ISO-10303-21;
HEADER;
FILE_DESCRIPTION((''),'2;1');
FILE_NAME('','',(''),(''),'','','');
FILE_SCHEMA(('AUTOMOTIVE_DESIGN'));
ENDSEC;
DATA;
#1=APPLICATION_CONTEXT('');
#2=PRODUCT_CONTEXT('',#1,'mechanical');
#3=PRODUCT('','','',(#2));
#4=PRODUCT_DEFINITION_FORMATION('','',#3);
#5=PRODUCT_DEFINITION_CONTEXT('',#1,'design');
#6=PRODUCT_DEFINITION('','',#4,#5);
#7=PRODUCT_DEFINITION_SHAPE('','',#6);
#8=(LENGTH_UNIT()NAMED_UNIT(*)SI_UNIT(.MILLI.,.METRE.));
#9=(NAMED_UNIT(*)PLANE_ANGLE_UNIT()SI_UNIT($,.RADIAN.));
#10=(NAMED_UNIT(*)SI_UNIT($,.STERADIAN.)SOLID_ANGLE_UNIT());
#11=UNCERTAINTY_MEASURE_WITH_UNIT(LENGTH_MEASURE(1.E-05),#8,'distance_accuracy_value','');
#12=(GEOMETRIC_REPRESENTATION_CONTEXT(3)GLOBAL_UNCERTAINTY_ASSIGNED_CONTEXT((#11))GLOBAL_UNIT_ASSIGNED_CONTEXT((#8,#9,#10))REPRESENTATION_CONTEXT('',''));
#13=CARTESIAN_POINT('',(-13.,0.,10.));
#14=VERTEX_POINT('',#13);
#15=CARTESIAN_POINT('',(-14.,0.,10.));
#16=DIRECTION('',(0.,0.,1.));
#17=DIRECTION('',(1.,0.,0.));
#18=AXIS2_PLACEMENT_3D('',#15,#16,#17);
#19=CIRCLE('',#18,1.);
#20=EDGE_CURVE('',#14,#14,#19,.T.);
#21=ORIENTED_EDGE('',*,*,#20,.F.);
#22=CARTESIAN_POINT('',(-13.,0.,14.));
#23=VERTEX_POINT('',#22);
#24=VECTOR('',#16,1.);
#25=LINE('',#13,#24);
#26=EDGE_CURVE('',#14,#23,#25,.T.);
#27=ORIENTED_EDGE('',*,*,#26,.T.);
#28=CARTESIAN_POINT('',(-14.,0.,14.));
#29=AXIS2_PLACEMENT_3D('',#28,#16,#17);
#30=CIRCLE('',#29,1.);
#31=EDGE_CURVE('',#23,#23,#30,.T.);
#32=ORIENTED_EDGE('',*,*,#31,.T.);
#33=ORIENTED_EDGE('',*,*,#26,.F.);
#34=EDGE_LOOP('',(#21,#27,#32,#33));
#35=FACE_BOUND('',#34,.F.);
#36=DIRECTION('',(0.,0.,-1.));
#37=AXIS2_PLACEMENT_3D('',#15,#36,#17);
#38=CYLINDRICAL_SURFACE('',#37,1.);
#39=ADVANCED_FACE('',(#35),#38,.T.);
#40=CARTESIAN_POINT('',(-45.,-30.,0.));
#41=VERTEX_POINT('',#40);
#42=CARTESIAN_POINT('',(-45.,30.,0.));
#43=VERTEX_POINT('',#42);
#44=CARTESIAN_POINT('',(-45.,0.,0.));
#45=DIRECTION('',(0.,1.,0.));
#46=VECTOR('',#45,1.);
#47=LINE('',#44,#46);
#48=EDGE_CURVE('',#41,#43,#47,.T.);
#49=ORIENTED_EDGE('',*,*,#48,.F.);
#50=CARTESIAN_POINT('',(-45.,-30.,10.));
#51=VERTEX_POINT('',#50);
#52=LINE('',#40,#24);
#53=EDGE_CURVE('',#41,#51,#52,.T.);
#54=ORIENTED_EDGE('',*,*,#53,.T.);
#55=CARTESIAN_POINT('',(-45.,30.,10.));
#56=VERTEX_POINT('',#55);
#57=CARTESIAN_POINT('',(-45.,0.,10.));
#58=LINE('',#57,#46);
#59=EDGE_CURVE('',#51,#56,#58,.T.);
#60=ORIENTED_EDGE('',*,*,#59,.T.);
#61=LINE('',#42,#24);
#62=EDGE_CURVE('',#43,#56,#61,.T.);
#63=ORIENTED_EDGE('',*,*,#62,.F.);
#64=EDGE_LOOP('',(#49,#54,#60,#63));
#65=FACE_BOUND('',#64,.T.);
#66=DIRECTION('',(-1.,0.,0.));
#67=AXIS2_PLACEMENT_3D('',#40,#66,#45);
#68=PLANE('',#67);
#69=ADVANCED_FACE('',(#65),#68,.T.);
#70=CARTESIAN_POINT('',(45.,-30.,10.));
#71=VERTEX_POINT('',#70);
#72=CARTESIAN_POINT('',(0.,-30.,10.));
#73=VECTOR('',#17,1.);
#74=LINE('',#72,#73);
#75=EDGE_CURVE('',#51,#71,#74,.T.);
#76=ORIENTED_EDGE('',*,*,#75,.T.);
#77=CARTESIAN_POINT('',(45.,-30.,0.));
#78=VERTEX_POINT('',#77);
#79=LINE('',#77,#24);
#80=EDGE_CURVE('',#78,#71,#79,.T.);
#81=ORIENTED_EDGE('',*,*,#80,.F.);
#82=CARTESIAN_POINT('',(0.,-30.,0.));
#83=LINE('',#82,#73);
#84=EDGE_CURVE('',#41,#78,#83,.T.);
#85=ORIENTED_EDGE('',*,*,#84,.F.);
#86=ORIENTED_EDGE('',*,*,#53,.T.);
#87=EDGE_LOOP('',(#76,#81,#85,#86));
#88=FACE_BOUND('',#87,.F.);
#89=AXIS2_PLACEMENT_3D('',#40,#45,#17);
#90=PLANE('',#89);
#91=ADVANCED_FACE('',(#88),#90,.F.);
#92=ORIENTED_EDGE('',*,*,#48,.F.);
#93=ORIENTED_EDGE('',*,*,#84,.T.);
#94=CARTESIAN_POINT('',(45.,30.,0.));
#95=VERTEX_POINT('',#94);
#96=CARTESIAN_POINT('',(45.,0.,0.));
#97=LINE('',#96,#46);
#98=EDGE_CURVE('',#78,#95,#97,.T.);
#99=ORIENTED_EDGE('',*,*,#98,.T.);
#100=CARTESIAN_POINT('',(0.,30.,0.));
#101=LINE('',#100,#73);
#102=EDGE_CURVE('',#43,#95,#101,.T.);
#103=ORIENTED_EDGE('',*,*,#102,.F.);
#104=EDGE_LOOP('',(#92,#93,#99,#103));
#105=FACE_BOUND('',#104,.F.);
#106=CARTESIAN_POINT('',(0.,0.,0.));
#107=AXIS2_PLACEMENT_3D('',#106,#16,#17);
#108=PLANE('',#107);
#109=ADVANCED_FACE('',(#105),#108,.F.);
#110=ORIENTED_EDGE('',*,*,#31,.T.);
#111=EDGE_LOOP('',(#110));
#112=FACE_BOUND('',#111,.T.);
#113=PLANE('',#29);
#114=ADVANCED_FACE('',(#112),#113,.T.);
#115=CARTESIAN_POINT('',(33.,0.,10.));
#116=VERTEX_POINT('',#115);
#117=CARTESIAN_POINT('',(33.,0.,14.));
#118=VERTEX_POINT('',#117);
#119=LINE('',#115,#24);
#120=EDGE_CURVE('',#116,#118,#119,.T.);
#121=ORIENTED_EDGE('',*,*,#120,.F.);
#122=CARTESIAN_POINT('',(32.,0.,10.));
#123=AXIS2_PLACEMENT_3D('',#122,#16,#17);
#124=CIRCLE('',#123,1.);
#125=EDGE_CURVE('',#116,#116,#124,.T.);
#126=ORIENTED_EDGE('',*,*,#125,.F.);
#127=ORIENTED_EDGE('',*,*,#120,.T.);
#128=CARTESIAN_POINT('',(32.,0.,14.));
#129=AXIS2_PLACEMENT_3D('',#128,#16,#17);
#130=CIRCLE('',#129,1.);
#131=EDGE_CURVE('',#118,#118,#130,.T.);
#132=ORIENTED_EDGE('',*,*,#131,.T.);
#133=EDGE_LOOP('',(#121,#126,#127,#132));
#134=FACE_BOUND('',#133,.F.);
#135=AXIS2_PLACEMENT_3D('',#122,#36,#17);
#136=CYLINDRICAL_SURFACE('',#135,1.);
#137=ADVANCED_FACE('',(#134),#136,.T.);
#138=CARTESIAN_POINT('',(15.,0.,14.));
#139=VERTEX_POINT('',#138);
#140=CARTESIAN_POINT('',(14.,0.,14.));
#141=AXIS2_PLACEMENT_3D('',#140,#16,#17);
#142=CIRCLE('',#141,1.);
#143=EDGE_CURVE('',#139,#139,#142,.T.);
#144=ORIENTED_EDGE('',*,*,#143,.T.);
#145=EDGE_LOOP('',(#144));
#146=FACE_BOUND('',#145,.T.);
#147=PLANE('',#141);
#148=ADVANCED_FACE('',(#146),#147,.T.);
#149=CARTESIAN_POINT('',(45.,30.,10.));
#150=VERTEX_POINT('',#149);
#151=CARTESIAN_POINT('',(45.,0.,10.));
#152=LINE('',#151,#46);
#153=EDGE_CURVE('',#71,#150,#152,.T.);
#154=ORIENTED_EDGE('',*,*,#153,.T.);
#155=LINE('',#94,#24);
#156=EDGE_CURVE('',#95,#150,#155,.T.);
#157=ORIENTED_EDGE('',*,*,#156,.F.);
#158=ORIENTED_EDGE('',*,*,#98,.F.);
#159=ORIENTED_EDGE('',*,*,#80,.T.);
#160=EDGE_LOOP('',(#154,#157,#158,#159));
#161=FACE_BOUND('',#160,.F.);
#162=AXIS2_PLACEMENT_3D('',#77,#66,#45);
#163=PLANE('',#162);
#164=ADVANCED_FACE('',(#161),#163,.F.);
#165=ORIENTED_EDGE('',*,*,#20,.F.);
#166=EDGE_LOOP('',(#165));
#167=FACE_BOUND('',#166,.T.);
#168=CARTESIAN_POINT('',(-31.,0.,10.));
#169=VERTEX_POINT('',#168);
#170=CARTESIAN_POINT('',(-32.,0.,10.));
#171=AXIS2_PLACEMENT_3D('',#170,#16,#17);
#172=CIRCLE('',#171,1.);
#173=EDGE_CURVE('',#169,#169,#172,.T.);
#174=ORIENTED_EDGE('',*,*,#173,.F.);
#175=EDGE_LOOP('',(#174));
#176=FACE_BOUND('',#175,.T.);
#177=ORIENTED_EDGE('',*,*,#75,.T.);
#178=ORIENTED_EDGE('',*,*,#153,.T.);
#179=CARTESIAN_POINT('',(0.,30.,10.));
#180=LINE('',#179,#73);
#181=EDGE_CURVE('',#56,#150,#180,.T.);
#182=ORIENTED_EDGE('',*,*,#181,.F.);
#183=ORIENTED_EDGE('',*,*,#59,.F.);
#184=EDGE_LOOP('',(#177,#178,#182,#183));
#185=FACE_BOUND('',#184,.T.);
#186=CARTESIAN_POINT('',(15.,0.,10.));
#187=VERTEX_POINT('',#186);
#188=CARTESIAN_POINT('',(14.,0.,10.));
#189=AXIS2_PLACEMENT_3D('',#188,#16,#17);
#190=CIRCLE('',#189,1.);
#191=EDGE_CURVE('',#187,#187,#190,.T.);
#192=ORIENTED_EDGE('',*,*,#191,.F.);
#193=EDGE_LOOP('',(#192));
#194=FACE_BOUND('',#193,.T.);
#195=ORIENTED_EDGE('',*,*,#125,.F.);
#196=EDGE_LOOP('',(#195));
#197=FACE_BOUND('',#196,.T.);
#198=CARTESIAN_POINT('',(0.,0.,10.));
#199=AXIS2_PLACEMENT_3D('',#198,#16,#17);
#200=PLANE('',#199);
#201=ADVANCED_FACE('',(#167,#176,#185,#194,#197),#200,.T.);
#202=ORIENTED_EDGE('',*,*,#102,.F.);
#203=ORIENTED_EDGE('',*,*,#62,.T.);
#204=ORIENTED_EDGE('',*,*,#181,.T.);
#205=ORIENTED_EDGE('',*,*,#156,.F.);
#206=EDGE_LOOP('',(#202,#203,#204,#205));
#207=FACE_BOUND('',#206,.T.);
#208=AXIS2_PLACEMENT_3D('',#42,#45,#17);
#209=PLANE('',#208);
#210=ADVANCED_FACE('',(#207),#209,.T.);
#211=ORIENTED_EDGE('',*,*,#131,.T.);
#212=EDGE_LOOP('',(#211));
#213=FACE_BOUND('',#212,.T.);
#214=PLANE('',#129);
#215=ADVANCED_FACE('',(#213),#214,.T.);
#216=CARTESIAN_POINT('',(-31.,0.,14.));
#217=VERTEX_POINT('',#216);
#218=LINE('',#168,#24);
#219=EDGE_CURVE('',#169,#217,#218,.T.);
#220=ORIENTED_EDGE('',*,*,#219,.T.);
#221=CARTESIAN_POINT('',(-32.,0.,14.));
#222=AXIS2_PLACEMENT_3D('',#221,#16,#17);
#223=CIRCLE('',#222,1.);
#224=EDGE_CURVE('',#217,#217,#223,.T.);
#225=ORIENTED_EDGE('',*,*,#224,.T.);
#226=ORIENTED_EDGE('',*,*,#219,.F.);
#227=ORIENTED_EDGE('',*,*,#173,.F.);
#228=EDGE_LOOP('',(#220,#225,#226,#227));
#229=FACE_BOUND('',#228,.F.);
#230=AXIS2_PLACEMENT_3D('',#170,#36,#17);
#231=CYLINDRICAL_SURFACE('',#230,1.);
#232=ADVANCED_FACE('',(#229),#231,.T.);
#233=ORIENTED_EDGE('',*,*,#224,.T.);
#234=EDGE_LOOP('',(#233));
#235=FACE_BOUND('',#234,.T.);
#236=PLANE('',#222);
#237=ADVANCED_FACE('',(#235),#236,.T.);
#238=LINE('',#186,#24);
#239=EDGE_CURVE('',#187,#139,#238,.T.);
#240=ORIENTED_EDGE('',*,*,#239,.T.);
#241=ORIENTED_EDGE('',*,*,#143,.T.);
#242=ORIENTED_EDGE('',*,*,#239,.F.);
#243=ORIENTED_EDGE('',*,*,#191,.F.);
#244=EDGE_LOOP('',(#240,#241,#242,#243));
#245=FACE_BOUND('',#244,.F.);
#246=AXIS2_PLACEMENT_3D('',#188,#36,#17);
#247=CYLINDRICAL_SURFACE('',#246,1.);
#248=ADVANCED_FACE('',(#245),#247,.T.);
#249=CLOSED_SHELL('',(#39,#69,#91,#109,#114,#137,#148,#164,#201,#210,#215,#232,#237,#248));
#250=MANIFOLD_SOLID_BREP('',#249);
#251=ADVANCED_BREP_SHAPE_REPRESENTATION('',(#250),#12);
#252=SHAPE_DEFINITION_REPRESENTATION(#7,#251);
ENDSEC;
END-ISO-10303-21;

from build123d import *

# Parameters (mm, degrees)
F0_W     = 90
F0_H     = 60
F1_DEPTH = 10
F2_R     = 1
F3_DEPTH = 4


with BuildPart() as f1:
    # F0 (on Top) → F1 (new body)
    with BuildSketch(Plane.XY):
        Rectangle(F0_W, F0_H)
    extrude(amount=F1_DEPTH)

    # F2 (on face) → F3 (join)
    with BuildSketch(Plane.XY.offset(10)):
        with Locations((-14, 0)):
            Circle(F2_R)
        with Locations((14, 0)):
            Circle(F2_R)
        with Locations((-32, 0)):
            Circle(F2_R)
        with Locations((32, 0)):
            Circle(F2_R)
    extrude(amount=F3_DEPTH)


solid = f1.part
